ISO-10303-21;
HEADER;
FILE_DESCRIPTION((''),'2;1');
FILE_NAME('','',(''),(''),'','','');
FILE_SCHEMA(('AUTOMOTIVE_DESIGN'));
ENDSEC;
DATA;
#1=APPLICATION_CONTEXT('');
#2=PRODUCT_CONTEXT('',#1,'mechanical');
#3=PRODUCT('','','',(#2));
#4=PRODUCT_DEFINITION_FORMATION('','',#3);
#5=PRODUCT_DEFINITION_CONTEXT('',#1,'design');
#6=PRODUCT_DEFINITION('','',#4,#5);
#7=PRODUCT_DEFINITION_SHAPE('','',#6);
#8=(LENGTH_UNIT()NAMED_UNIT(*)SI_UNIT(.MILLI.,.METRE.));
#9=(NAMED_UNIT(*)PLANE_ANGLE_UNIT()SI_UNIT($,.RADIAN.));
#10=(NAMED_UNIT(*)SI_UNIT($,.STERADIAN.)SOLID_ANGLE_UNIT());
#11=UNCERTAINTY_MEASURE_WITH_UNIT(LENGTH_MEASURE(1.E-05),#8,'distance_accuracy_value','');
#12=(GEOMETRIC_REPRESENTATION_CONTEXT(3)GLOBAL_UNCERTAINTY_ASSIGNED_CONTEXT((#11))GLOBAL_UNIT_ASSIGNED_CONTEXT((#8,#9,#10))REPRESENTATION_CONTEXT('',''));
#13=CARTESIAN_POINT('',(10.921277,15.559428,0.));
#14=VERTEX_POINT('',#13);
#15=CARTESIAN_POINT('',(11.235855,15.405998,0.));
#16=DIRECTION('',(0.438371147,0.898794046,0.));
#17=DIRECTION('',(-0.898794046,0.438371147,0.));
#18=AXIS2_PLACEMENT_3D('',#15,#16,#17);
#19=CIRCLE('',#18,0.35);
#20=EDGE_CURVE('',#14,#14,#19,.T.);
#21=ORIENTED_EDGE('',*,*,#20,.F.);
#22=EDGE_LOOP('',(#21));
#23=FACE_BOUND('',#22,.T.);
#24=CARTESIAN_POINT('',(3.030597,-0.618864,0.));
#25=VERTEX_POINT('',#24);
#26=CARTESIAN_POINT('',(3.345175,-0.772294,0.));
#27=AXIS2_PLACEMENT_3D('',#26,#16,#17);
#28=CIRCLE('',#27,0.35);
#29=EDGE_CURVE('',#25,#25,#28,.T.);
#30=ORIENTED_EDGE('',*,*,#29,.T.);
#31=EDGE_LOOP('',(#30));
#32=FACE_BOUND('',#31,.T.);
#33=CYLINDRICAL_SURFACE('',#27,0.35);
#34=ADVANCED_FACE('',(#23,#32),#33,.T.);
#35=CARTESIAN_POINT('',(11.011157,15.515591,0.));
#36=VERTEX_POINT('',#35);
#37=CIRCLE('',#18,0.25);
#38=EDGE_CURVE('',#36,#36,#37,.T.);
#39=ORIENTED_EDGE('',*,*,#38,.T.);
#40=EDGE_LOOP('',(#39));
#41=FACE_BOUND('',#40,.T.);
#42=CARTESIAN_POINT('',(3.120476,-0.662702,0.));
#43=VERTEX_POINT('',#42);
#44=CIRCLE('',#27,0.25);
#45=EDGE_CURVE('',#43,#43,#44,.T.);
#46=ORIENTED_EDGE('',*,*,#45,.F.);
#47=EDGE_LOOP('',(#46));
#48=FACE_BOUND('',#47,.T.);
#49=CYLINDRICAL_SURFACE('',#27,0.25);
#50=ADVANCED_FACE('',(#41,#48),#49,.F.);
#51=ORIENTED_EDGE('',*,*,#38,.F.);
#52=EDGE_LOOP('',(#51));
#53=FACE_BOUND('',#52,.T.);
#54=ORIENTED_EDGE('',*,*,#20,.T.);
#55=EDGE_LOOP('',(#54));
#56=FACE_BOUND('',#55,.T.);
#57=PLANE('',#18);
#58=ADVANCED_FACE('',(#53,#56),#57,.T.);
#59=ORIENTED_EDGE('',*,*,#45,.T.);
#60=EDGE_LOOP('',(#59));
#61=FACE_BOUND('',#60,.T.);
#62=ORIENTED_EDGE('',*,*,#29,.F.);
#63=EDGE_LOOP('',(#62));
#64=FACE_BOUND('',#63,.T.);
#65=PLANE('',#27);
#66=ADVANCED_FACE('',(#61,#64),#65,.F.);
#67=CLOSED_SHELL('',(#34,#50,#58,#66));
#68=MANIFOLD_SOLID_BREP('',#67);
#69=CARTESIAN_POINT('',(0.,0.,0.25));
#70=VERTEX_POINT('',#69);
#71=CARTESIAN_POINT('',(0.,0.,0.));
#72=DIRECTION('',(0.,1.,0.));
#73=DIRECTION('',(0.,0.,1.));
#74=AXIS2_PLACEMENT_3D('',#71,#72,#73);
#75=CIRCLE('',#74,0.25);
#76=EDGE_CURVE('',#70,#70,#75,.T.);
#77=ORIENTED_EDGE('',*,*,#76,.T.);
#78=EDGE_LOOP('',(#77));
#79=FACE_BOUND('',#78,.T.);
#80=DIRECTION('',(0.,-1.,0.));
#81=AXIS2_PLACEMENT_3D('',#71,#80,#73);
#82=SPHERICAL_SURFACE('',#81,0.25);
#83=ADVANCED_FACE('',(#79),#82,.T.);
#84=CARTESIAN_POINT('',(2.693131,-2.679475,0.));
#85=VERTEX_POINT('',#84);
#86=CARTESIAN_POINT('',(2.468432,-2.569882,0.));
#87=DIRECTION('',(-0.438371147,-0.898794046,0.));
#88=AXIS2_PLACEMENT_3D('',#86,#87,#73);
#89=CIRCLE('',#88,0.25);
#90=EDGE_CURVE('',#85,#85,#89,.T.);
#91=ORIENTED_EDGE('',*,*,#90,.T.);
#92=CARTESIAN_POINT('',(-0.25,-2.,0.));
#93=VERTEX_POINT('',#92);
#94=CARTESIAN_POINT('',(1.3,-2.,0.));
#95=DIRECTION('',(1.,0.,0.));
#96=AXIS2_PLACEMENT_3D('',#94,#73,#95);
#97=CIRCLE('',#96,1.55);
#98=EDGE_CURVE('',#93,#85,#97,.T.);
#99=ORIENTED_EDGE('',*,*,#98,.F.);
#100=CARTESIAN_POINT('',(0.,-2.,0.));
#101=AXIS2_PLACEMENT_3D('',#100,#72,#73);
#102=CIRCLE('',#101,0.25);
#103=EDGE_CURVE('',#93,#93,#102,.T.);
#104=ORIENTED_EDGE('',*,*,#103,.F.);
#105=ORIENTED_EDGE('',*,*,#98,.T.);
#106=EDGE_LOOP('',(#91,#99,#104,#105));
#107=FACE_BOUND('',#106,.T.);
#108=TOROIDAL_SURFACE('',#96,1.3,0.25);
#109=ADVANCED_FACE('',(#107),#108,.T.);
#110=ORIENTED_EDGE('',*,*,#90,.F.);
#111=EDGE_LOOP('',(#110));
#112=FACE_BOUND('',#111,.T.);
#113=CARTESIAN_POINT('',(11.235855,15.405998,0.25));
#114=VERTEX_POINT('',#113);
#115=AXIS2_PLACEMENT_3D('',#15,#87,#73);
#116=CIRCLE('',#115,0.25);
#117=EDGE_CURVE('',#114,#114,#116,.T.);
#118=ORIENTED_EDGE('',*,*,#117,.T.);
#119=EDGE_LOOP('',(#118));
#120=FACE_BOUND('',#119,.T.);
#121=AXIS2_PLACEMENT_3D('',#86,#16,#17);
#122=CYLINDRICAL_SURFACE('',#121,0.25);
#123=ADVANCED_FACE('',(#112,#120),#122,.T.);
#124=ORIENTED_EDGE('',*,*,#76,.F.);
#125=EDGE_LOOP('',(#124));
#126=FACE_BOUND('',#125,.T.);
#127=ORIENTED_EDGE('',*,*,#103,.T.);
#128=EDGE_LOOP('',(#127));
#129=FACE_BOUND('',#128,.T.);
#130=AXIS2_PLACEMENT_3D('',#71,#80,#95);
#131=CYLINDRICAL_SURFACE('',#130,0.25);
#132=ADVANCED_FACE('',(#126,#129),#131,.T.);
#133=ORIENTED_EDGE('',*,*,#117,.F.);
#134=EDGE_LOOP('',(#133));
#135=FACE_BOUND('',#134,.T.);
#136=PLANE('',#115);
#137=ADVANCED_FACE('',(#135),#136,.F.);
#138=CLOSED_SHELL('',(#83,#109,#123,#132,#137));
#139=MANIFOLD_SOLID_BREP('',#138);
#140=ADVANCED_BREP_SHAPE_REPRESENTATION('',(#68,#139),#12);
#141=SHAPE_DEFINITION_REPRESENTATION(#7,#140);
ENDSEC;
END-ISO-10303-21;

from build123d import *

# Parameters (mm, degrees)
SKETCH1_R           = 0.25
SKETCH4_R           = 0.35
SKETCH4_R_2         = 0.25
BOSS_EXTRUDE1_DEPTH = 18


with BuildPart() as part:
    # Sweep1: sweep along a path in Sketch2
    with BuildLine(Plane.XY) as sweep1_path:
        Line((0, 0), (0, -2))
        ThreePointArc((0, -2), (1.007563629, -3.266681084), (2.46843226, -2.569882491))
        Line((2.46843226, -2.569882491), (11.235855196, 15.405998435))
    # Sketch1 → Sweep1 (sweep)
    with BuildSketch(Plane(origin=(0, 0, 0), x_dir=(1, 0, 0), z_dir=(0, 1, 0))):
        Circle(SKETCH1_R)
    sweep(path=sweep1_path.line)

    # Sketch3 → Revolve1 (revolve)
    with BuildSketch(Plane(origin=(0, 0, 0), x_dir=(0, 0, -1), z_dir=(1, 0, 0))):
        with BuildLine():
            Line((0, -0.25), (0, 0.25))
            ThreePointArc((0, 0.25), (-0.25, 0), (0, -0.25))
        make_face()
    revolve(axis=Axis((0, -0.25, 0), (0, 1, 0)))


with BuildPart() as body_2:
    # Sketch4 → Boss-Extrude1 (new body)
    with BuildSketch(Plane(origin=(8.229232223, 16.872426441, 0), x_dir=(0.8987940462991698, -0.43837114678907185, 0), z_dir=(0.4383711467890718, 0.8987940462991697, 0))):
        with Locations((3.345174554, 0)):
            Circle(SKETCH4_R)
        with Locations((3.345174554, 0)):
            Circle(SKETCH4_R_2, mode=Mode.SUBTRACT)
    extrude(amount=-BOSS_EXTRUDE1_DEPTH)


solid = Compound([part.part, body_2.part])
